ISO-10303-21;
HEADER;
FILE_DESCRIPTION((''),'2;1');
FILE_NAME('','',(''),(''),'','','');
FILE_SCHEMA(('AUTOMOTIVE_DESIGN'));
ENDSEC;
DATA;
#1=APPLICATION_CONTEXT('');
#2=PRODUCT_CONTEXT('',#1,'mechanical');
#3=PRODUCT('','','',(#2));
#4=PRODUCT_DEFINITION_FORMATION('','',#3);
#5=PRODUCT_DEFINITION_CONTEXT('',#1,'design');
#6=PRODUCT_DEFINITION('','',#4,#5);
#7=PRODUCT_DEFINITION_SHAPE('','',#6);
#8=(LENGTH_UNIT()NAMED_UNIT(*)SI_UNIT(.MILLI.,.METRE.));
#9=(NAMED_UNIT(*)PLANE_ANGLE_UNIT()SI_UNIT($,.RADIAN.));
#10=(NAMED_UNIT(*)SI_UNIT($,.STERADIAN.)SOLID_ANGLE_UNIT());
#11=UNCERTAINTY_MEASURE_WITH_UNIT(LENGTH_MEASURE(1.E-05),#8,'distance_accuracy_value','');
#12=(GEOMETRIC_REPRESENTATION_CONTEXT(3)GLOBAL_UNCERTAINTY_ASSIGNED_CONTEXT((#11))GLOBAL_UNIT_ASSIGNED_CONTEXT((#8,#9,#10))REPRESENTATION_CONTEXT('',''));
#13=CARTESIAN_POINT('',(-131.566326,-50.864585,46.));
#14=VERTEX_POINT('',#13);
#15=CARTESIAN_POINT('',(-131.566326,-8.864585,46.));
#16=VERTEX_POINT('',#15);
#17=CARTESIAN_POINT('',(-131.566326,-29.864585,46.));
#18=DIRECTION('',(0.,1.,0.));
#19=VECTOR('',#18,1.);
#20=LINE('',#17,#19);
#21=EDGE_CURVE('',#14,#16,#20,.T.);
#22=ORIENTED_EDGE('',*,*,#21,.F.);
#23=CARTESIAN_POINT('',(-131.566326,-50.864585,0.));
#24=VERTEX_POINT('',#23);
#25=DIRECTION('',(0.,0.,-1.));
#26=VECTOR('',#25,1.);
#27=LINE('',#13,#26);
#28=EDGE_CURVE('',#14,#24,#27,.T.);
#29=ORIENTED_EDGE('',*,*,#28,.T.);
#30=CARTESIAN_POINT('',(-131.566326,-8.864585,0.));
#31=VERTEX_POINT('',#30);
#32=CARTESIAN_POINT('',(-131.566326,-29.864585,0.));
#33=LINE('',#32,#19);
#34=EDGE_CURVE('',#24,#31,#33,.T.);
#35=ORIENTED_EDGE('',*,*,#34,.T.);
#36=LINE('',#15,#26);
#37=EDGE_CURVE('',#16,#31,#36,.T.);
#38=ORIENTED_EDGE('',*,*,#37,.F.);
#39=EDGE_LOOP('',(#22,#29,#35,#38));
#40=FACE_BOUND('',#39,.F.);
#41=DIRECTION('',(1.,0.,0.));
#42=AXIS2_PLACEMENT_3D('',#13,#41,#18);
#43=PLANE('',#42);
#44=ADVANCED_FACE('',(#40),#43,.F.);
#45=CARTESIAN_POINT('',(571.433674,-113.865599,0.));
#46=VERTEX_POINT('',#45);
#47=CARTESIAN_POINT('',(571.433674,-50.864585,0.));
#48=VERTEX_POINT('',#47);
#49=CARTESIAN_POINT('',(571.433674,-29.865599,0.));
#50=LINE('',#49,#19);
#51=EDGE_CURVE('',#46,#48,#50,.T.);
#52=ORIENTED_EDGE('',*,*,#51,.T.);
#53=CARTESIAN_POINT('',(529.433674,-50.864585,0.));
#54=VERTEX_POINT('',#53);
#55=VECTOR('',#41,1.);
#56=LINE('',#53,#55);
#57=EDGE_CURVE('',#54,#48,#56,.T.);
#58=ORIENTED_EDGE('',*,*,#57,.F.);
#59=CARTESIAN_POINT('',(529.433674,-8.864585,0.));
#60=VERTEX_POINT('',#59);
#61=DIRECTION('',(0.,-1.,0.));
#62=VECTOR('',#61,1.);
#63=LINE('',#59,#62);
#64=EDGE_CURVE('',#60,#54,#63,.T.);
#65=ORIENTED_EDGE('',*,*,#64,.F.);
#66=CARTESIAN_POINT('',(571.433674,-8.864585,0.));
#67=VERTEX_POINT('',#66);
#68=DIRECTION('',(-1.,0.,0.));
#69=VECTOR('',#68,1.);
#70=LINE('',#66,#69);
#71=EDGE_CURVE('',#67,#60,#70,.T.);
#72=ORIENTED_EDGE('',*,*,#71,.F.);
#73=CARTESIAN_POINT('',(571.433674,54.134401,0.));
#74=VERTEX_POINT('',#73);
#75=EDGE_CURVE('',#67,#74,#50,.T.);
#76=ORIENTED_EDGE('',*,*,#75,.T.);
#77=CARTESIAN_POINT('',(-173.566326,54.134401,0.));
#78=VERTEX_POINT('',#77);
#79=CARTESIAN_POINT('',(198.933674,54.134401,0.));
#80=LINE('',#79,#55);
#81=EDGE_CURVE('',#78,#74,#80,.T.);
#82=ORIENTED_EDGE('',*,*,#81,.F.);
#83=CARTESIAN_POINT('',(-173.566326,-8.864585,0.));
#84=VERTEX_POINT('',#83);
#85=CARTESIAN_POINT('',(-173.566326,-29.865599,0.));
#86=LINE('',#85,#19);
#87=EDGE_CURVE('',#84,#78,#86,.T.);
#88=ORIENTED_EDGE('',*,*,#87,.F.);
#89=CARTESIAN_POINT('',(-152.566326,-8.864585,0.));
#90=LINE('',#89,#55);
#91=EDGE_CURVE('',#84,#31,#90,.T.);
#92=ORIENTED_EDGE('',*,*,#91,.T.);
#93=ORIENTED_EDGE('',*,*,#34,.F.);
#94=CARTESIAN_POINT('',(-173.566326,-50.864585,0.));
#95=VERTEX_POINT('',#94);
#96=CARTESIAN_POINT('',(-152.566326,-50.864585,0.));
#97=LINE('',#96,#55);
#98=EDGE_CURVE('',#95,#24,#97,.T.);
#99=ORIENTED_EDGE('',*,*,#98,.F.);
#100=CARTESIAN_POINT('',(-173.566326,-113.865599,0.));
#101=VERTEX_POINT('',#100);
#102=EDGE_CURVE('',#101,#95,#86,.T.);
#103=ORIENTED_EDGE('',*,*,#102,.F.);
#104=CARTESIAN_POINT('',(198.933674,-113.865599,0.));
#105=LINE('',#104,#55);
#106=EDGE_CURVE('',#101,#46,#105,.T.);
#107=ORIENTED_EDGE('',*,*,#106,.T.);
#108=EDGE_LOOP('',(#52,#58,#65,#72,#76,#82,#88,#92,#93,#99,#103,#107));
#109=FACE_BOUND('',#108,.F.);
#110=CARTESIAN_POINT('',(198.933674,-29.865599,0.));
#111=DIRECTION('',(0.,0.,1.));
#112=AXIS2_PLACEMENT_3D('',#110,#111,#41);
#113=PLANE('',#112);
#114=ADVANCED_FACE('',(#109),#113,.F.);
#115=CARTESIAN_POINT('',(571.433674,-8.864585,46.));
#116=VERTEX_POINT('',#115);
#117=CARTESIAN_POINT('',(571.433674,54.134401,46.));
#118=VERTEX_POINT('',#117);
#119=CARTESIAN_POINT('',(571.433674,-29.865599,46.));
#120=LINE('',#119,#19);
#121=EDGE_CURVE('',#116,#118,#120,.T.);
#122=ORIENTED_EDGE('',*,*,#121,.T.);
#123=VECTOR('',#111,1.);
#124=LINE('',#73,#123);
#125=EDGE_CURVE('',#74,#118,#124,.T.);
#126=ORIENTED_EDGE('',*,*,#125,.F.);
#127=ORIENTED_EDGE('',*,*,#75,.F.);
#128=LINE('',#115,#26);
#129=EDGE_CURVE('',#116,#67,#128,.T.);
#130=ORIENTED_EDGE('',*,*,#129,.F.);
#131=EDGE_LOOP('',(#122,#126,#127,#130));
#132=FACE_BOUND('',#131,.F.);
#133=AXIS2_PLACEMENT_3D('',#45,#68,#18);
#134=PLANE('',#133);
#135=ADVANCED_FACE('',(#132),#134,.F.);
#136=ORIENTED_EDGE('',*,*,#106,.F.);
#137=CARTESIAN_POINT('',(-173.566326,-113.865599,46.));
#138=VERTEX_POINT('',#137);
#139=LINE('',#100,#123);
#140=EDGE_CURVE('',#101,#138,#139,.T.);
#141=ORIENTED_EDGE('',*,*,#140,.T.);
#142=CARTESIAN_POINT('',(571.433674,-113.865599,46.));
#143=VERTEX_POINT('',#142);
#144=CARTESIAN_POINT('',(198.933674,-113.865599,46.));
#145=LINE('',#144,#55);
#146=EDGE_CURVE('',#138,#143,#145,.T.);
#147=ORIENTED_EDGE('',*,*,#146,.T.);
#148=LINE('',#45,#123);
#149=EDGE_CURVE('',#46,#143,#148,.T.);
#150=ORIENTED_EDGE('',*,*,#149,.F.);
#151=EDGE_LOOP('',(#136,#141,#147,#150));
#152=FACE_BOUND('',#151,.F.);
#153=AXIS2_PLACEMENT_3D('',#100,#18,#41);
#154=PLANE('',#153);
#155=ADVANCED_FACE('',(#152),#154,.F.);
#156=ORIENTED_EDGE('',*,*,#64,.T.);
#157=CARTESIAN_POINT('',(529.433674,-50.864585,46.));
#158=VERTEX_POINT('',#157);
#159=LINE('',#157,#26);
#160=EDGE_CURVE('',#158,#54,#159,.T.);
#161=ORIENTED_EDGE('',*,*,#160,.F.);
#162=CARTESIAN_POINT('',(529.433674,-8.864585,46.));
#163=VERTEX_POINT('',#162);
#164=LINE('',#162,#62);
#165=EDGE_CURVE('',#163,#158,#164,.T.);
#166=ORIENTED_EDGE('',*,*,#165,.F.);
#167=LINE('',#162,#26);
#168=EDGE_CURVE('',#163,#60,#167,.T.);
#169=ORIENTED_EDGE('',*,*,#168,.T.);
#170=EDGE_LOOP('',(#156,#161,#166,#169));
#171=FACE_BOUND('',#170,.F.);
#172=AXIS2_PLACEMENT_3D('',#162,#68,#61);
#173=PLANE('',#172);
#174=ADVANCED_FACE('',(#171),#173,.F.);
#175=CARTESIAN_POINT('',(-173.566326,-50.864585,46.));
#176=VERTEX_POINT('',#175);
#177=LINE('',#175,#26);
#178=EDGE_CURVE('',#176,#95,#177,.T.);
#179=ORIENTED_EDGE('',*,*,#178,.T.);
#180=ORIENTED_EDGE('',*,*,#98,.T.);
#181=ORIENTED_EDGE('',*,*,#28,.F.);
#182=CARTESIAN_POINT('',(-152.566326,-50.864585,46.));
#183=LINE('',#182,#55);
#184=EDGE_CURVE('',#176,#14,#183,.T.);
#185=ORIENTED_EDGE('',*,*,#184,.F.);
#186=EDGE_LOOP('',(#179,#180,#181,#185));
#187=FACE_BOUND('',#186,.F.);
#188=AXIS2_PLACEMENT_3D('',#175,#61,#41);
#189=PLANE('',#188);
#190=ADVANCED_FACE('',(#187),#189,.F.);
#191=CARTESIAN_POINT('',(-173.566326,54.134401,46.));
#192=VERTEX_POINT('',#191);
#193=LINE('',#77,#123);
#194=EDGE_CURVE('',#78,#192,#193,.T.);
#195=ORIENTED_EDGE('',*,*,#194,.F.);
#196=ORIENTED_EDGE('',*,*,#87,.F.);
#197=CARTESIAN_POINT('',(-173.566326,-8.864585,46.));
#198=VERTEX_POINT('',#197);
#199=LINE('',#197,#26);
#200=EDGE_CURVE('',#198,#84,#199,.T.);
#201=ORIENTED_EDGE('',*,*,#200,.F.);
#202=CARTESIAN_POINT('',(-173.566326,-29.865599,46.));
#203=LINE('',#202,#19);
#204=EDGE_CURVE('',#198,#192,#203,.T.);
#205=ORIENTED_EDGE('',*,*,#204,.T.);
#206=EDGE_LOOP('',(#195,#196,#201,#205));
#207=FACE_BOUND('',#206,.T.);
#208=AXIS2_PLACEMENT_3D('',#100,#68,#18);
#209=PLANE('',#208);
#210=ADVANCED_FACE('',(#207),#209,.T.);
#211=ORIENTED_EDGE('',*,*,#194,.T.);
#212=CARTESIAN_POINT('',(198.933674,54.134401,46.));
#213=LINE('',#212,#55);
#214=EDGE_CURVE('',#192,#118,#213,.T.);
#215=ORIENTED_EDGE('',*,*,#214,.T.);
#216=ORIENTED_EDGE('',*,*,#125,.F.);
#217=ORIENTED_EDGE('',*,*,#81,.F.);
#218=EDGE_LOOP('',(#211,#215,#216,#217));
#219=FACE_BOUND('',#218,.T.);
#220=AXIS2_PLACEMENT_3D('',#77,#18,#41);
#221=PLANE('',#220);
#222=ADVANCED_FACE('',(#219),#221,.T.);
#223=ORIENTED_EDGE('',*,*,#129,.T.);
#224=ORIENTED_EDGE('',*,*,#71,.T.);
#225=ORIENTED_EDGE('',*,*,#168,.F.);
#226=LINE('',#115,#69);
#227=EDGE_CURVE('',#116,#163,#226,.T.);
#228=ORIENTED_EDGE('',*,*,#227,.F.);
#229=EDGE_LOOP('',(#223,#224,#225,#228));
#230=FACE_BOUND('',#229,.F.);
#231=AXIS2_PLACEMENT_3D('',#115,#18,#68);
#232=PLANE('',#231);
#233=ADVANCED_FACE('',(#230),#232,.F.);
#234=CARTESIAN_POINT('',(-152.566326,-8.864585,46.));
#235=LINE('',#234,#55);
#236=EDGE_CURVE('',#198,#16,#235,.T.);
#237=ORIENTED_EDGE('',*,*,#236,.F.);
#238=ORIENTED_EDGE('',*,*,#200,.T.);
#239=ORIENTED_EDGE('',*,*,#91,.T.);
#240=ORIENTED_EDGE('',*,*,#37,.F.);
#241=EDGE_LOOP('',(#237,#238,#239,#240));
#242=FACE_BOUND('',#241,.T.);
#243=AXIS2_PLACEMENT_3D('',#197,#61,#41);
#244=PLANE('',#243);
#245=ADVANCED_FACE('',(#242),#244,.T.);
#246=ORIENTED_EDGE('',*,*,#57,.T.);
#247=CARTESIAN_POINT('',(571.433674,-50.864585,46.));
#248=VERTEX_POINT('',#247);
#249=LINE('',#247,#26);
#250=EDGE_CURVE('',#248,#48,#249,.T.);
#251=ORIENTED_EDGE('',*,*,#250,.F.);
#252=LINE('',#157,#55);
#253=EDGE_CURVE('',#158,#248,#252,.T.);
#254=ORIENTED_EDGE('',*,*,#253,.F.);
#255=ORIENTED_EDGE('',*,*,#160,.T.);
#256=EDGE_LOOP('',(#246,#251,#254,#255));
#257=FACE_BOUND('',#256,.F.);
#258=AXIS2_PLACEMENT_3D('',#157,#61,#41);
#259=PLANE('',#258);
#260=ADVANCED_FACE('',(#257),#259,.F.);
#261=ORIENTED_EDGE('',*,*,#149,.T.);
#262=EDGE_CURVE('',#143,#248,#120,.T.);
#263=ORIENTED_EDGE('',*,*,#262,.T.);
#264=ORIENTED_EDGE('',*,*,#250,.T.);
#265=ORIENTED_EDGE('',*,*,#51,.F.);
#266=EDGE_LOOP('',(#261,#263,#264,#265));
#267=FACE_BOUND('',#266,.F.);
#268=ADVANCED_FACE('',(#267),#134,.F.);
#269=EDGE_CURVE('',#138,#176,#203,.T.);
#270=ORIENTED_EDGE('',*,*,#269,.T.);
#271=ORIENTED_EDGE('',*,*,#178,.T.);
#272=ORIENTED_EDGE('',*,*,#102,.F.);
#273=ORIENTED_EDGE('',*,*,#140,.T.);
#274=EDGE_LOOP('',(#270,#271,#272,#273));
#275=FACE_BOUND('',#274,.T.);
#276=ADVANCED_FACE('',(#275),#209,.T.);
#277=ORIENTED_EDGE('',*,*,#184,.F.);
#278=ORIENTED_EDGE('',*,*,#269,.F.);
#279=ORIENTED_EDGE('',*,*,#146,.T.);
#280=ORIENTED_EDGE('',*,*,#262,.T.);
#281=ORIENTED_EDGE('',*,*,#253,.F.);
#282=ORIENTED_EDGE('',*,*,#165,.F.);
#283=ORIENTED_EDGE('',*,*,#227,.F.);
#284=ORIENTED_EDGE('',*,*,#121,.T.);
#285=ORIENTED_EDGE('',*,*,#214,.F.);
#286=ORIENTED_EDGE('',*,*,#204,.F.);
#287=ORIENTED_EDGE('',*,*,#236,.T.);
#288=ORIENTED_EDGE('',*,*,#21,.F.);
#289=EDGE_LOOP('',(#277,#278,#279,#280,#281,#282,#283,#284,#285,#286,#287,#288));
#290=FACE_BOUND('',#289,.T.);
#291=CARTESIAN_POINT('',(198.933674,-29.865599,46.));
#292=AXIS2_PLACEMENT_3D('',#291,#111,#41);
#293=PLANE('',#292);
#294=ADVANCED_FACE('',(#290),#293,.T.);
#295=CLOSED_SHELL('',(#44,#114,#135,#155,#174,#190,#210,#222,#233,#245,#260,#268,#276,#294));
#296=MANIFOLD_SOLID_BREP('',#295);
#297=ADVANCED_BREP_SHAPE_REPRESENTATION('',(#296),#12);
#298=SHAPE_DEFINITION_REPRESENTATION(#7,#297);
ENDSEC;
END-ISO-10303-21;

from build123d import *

# Parameters (mm, degrees)
F0_W     = 745
F0_H     = 168
F1_DEPTH = 46
F3_DEPTH = 46
F4_W     = 42
F4_H     = 42
F5_DEPTH = 46


with BuildPart() as f1:
    # F0 (on Top) → F1 (new body)
    with BuildSketch(Plane.XY):
        with Locations((198.933674, -29.865599)):
            Rectangle(F0_W, F0_H)
    extrude(amount=F1_DEPTH)

    # F2 (on face) → F3 (cut)
    with BuildSketch(Plane.XY.offset(46)):
        Polygon((529.433674, -8.864585), (529.433674, -29.865599), (529.433674, -50.864585), (571.433674, -50.864585), (571.433674, -8.864585), align=None)
    extrude(amount=-F3_DEPTH, mode=Mode.SUBTRACT)

    # F4 (on face) → F5 (cut)
    with BuildSketch(Plane.XY.offset(46)):
        with Locations((-152.566326, -29.864585)):
            Rectangle(F4_W, F4_H)
    extrude(amount=-F5_DEPTH, mode=Mode.SUBTRACT)


solid = f1.part
